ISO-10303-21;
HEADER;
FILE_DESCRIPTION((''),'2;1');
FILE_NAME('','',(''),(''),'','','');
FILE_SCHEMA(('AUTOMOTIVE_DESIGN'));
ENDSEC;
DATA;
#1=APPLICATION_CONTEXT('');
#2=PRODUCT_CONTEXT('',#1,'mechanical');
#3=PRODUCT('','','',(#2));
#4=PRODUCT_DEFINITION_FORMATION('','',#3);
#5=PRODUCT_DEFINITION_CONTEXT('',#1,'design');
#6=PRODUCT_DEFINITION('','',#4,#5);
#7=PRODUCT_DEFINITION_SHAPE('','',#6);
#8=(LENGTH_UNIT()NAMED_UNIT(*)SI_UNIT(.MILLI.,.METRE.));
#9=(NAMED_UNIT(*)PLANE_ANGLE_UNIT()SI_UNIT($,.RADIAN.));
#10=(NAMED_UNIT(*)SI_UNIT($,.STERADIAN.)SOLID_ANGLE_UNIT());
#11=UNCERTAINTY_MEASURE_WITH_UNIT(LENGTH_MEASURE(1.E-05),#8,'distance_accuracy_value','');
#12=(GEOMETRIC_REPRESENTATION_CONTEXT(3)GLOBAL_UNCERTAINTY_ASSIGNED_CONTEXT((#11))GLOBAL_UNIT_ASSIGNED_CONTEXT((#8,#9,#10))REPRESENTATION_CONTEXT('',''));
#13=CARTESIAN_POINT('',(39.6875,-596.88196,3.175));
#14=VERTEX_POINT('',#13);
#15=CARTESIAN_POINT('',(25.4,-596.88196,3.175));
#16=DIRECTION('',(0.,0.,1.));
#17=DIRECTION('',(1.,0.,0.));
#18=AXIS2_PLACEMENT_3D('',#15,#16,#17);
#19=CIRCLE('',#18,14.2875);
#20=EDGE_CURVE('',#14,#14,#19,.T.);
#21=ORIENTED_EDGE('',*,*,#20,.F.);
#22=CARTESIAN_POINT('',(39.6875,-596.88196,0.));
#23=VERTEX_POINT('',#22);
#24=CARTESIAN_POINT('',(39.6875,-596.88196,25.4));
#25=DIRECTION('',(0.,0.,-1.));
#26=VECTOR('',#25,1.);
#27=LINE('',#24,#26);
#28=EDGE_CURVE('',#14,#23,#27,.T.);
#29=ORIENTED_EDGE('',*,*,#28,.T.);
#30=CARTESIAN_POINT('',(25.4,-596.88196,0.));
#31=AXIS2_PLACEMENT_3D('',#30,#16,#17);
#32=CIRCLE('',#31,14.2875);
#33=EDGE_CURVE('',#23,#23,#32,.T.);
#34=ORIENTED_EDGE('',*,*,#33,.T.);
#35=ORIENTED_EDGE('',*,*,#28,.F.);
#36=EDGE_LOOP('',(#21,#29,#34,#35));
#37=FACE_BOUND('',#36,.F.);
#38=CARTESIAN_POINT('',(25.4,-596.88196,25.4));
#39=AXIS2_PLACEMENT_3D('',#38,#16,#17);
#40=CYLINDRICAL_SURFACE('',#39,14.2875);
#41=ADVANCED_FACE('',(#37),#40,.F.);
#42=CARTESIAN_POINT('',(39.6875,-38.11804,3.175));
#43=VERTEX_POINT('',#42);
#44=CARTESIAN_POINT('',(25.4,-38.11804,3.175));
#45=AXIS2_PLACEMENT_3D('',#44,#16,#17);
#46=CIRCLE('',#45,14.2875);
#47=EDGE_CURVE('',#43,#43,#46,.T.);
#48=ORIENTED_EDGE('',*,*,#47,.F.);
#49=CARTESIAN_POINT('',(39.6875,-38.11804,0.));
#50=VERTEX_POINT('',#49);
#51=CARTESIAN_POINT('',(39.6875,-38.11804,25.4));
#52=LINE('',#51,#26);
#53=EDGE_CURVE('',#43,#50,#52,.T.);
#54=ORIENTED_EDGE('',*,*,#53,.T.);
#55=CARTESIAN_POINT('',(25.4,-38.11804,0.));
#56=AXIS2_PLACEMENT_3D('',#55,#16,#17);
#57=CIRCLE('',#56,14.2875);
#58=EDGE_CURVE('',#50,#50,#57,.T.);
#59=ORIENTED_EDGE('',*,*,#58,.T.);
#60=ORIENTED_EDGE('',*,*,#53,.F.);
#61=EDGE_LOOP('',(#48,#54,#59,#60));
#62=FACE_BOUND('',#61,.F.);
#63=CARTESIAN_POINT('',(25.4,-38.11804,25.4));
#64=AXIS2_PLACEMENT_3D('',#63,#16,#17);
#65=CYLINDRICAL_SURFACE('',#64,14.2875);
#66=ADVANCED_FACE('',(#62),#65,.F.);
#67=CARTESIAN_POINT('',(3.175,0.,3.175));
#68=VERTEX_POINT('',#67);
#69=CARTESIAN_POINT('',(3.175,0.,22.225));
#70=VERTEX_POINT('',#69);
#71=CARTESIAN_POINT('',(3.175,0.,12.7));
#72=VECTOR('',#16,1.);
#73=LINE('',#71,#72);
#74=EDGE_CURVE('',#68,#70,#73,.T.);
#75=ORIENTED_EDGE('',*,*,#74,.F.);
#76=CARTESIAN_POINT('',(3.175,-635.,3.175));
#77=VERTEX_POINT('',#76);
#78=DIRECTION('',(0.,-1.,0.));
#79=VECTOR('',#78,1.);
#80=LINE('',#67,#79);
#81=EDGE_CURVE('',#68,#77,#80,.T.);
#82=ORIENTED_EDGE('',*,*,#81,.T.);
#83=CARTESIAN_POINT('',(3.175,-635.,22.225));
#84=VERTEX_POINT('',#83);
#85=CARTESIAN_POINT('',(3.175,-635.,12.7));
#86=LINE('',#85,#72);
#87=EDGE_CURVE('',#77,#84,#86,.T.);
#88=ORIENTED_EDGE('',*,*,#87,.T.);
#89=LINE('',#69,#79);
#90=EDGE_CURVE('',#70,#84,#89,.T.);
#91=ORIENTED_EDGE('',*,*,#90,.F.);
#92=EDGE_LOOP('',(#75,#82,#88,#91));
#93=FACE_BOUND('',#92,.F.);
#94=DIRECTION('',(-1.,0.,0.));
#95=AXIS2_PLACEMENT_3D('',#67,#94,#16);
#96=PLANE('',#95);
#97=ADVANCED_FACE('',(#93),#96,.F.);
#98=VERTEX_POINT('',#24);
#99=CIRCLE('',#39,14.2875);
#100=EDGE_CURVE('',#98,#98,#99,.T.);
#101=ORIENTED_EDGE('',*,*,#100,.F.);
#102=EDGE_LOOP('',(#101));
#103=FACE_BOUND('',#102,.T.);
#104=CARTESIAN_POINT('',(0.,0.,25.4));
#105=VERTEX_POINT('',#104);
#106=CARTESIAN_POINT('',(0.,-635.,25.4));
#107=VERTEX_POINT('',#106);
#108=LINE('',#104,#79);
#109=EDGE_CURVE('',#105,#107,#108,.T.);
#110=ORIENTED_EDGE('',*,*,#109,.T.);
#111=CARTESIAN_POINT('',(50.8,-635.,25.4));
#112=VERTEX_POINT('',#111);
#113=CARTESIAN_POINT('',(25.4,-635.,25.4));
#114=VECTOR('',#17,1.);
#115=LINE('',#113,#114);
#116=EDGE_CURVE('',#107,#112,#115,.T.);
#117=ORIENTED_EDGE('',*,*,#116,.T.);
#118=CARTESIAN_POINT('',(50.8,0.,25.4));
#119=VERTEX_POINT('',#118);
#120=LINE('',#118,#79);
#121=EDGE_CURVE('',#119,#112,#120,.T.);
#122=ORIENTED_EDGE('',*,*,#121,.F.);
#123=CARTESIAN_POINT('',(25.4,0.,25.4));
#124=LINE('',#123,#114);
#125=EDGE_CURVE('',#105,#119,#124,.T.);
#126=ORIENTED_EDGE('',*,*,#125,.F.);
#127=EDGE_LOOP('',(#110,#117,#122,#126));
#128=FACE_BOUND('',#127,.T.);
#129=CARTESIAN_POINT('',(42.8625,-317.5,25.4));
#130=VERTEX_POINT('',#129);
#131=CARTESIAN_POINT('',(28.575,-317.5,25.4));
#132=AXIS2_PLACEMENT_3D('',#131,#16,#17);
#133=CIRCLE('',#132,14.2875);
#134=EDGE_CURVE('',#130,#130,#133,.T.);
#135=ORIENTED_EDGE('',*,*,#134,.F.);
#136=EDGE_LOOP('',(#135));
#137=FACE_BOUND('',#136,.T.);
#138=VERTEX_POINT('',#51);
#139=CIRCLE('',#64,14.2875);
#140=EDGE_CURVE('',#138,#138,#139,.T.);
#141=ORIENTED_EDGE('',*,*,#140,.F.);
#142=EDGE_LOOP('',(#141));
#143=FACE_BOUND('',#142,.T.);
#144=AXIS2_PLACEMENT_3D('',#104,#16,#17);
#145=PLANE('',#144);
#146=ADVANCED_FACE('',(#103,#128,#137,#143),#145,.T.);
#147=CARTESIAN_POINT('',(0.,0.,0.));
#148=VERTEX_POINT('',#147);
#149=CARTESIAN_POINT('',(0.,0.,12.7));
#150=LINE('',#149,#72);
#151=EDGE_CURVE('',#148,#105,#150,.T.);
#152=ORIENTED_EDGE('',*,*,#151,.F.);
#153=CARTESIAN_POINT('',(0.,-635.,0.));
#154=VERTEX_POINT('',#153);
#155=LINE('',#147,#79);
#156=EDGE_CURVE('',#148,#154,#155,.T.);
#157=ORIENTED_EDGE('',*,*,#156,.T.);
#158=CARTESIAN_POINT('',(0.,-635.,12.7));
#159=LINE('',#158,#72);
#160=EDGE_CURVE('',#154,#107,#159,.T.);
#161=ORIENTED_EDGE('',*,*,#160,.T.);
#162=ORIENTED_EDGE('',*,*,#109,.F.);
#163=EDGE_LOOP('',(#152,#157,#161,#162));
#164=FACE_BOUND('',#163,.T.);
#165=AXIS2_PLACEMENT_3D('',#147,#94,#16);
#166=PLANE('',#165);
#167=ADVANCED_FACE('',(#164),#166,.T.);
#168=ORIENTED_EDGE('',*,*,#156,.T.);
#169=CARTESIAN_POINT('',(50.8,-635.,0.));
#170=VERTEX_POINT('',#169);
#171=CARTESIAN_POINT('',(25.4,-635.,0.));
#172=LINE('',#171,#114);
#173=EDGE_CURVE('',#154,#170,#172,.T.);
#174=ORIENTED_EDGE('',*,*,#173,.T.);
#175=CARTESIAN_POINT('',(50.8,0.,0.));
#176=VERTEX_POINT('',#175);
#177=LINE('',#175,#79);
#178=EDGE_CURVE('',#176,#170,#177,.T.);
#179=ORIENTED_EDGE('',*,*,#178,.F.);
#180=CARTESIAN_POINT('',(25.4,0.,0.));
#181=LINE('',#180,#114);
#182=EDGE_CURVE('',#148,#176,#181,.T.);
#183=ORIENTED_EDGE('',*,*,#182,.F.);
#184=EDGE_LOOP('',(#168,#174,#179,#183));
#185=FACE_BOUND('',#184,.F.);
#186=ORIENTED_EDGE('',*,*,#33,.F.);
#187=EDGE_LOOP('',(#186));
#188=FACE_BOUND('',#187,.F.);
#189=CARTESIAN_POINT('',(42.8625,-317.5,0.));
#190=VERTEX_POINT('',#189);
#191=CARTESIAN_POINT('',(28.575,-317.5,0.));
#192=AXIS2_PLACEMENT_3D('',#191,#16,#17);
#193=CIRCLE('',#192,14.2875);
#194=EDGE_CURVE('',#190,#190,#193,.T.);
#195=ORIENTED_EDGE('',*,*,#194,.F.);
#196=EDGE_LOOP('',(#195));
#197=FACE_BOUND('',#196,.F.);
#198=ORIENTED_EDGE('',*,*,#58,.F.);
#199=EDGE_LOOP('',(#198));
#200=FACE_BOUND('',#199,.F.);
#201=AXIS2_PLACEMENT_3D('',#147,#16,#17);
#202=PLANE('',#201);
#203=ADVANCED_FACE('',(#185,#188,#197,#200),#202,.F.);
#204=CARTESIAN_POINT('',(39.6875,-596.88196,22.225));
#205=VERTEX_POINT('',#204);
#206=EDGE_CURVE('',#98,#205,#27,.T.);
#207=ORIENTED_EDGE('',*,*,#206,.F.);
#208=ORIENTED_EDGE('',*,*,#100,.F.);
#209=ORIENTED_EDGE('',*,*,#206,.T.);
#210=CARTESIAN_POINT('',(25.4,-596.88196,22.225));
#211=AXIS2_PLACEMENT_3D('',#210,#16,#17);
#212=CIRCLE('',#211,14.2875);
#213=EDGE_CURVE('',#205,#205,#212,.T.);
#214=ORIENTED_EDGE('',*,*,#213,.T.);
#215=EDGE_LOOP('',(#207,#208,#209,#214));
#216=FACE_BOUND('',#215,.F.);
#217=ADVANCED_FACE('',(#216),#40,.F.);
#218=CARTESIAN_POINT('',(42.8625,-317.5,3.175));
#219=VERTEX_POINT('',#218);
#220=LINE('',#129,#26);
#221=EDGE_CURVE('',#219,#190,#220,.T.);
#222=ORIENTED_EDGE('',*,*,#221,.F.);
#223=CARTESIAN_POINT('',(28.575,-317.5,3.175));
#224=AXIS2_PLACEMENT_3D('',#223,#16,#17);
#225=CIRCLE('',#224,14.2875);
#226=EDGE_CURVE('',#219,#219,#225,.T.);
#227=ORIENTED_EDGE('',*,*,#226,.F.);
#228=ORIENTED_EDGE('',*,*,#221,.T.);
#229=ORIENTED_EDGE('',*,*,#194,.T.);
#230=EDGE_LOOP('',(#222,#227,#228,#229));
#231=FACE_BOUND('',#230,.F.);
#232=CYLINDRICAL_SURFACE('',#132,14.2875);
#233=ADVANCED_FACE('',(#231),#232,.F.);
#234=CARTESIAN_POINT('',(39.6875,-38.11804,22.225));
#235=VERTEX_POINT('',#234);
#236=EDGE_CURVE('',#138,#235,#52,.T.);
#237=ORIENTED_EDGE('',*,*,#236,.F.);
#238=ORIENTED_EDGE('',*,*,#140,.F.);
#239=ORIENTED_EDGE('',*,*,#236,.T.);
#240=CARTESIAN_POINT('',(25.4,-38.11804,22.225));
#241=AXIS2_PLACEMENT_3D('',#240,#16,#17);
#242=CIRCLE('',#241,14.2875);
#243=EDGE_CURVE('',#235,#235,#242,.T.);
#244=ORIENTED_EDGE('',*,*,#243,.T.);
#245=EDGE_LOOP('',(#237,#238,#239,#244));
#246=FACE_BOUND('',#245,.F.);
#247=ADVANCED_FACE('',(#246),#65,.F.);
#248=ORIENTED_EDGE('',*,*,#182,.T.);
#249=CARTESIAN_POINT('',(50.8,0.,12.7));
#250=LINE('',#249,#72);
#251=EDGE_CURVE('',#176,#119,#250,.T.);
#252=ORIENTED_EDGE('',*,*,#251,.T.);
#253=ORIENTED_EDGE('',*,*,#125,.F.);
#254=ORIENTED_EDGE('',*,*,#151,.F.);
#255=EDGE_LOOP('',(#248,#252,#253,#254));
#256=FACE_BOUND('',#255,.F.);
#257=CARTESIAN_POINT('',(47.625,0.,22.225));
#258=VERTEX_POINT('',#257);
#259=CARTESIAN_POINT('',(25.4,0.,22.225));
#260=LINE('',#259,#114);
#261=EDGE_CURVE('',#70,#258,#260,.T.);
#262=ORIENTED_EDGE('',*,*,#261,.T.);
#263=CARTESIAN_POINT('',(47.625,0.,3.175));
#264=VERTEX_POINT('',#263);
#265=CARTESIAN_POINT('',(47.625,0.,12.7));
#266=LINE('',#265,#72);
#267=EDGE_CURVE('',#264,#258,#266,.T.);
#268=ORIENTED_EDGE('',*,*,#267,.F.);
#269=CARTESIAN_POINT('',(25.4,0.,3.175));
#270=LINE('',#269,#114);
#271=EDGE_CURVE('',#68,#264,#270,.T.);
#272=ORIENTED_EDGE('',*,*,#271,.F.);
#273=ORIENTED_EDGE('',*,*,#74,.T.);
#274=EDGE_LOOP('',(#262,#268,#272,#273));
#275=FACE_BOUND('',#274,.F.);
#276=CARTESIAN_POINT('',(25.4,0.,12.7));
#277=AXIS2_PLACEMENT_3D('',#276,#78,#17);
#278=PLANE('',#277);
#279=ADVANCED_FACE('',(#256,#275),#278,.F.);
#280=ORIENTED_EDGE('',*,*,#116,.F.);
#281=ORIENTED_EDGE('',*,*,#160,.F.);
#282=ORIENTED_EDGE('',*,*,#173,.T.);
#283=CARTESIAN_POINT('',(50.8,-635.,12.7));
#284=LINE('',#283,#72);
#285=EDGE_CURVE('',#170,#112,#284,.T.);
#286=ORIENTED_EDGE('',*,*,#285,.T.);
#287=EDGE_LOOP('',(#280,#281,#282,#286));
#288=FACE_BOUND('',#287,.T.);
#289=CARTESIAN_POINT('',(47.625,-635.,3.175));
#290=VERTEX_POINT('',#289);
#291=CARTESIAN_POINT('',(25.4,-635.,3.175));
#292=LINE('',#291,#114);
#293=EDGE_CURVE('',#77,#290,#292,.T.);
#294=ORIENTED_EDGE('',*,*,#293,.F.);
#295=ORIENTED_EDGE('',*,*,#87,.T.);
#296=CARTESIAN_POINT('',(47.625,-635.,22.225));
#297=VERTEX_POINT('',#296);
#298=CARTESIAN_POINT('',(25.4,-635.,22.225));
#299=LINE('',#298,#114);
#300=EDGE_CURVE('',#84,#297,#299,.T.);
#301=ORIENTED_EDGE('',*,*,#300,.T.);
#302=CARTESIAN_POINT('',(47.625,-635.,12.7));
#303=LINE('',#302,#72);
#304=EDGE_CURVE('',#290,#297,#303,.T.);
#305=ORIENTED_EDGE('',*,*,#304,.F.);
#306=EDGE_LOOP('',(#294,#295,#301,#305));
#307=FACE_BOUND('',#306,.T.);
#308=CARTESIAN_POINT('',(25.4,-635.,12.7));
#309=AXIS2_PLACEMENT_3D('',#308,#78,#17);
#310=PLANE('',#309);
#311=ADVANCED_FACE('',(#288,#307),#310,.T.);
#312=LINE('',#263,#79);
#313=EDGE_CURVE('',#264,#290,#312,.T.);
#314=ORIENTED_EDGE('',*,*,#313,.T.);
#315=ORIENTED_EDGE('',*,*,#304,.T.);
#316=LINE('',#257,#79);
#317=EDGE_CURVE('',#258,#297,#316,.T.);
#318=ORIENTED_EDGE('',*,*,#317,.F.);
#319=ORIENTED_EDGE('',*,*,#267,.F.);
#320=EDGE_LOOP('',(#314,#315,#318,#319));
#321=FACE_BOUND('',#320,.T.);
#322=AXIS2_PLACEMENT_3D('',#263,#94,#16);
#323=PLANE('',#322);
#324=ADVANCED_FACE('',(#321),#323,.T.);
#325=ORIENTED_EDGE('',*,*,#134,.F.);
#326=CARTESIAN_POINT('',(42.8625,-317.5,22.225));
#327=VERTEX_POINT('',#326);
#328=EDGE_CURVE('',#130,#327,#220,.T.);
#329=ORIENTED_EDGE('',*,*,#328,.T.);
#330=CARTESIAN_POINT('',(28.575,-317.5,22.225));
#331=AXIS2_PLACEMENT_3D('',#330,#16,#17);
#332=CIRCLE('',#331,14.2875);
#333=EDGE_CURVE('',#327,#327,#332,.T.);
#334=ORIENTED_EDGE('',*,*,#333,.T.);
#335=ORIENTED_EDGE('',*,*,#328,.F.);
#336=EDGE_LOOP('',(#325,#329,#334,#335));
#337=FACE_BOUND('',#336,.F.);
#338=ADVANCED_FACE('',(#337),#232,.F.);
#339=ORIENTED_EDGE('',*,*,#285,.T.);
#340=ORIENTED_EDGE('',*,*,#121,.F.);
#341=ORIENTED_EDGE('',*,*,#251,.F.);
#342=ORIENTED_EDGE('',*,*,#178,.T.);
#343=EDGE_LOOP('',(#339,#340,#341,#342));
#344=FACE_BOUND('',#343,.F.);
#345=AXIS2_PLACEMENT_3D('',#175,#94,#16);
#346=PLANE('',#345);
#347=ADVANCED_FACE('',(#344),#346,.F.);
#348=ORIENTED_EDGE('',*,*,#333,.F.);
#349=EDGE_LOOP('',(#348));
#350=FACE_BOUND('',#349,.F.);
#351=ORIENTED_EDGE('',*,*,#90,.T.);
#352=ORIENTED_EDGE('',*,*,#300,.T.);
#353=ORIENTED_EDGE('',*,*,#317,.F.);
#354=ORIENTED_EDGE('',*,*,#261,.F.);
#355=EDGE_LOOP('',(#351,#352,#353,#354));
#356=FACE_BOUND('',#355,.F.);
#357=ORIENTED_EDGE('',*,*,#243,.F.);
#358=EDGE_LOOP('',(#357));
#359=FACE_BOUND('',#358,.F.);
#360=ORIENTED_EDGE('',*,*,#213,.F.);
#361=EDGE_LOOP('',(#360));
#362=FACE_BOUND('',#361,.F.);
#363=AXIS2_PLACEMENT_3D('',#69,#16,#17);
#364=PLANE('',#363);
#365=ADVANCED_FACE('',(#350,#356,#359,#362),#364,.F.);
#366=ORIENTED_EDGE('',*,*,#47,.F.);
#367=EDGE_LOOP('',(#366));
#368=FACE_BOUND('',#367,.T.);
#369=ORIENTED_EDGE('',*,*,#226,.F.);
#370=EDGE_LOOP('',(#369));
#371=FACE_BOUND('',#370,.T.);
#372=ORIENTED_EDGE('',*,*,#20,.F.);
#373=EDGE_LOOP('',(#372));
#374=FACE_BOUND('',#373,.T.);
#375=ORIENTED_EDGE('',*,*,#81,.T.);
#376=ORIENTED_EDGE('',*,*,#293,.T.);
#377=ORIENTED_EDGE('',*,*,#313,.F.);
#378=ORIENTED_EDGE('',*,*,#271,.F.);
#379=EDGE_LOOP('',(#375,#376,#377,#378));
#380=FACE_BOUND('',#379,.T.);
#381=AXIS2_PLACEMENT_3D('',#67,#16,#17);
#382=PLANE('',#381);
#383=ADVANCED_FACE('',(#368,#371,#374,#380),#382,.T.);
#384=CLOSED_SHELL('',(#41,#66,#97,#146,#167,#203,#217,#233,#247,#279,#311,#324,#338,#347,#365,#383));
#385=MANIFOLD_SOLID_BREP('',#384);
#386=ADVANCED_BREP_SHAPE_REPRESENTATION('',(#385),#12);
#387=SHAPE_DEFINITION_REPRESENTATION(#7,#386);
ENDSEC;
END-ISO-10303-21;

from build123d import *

# Parameters (mm, degrees)
F0_W     = 50.8
F0_H     = 25.4
F0_W_2   = 44.45
F0_H_2   = 19.05
F1_DEPTH = 635
F2_R     = 14.2875
F3_DEPTH = 25.401


with BuildPart() as f1:
    # F0 (on Front) → F1 (new body)
    with BuildSketch(Plane.XZ):
        with Locations((25.4, 12.7)):
            Rectangle(F0_W, F0_H)
        with Locations((25.4, 12.7)):
            Rectangle(F0_W_2, F0_H_2, mode=Mode.SUBTRACT)
    extrude(amount=F1_DEPTH)

    # F2 (on face) → F3 (cut, through all)
    with BuildSketch(Plane.XY.offset(25.4)):
        with Locations((25.4, -38.11804)):
            Circle(F2_R)
        with Locations((28.575, -317.5)):
            Circle(F2_R)
        with Locations((25.4, -596.88196)):
            Circle(F2_R)
    extrude(amount=-F3_DEPTH, mode=Mode.SUBTRACT)


solid = f1.part
